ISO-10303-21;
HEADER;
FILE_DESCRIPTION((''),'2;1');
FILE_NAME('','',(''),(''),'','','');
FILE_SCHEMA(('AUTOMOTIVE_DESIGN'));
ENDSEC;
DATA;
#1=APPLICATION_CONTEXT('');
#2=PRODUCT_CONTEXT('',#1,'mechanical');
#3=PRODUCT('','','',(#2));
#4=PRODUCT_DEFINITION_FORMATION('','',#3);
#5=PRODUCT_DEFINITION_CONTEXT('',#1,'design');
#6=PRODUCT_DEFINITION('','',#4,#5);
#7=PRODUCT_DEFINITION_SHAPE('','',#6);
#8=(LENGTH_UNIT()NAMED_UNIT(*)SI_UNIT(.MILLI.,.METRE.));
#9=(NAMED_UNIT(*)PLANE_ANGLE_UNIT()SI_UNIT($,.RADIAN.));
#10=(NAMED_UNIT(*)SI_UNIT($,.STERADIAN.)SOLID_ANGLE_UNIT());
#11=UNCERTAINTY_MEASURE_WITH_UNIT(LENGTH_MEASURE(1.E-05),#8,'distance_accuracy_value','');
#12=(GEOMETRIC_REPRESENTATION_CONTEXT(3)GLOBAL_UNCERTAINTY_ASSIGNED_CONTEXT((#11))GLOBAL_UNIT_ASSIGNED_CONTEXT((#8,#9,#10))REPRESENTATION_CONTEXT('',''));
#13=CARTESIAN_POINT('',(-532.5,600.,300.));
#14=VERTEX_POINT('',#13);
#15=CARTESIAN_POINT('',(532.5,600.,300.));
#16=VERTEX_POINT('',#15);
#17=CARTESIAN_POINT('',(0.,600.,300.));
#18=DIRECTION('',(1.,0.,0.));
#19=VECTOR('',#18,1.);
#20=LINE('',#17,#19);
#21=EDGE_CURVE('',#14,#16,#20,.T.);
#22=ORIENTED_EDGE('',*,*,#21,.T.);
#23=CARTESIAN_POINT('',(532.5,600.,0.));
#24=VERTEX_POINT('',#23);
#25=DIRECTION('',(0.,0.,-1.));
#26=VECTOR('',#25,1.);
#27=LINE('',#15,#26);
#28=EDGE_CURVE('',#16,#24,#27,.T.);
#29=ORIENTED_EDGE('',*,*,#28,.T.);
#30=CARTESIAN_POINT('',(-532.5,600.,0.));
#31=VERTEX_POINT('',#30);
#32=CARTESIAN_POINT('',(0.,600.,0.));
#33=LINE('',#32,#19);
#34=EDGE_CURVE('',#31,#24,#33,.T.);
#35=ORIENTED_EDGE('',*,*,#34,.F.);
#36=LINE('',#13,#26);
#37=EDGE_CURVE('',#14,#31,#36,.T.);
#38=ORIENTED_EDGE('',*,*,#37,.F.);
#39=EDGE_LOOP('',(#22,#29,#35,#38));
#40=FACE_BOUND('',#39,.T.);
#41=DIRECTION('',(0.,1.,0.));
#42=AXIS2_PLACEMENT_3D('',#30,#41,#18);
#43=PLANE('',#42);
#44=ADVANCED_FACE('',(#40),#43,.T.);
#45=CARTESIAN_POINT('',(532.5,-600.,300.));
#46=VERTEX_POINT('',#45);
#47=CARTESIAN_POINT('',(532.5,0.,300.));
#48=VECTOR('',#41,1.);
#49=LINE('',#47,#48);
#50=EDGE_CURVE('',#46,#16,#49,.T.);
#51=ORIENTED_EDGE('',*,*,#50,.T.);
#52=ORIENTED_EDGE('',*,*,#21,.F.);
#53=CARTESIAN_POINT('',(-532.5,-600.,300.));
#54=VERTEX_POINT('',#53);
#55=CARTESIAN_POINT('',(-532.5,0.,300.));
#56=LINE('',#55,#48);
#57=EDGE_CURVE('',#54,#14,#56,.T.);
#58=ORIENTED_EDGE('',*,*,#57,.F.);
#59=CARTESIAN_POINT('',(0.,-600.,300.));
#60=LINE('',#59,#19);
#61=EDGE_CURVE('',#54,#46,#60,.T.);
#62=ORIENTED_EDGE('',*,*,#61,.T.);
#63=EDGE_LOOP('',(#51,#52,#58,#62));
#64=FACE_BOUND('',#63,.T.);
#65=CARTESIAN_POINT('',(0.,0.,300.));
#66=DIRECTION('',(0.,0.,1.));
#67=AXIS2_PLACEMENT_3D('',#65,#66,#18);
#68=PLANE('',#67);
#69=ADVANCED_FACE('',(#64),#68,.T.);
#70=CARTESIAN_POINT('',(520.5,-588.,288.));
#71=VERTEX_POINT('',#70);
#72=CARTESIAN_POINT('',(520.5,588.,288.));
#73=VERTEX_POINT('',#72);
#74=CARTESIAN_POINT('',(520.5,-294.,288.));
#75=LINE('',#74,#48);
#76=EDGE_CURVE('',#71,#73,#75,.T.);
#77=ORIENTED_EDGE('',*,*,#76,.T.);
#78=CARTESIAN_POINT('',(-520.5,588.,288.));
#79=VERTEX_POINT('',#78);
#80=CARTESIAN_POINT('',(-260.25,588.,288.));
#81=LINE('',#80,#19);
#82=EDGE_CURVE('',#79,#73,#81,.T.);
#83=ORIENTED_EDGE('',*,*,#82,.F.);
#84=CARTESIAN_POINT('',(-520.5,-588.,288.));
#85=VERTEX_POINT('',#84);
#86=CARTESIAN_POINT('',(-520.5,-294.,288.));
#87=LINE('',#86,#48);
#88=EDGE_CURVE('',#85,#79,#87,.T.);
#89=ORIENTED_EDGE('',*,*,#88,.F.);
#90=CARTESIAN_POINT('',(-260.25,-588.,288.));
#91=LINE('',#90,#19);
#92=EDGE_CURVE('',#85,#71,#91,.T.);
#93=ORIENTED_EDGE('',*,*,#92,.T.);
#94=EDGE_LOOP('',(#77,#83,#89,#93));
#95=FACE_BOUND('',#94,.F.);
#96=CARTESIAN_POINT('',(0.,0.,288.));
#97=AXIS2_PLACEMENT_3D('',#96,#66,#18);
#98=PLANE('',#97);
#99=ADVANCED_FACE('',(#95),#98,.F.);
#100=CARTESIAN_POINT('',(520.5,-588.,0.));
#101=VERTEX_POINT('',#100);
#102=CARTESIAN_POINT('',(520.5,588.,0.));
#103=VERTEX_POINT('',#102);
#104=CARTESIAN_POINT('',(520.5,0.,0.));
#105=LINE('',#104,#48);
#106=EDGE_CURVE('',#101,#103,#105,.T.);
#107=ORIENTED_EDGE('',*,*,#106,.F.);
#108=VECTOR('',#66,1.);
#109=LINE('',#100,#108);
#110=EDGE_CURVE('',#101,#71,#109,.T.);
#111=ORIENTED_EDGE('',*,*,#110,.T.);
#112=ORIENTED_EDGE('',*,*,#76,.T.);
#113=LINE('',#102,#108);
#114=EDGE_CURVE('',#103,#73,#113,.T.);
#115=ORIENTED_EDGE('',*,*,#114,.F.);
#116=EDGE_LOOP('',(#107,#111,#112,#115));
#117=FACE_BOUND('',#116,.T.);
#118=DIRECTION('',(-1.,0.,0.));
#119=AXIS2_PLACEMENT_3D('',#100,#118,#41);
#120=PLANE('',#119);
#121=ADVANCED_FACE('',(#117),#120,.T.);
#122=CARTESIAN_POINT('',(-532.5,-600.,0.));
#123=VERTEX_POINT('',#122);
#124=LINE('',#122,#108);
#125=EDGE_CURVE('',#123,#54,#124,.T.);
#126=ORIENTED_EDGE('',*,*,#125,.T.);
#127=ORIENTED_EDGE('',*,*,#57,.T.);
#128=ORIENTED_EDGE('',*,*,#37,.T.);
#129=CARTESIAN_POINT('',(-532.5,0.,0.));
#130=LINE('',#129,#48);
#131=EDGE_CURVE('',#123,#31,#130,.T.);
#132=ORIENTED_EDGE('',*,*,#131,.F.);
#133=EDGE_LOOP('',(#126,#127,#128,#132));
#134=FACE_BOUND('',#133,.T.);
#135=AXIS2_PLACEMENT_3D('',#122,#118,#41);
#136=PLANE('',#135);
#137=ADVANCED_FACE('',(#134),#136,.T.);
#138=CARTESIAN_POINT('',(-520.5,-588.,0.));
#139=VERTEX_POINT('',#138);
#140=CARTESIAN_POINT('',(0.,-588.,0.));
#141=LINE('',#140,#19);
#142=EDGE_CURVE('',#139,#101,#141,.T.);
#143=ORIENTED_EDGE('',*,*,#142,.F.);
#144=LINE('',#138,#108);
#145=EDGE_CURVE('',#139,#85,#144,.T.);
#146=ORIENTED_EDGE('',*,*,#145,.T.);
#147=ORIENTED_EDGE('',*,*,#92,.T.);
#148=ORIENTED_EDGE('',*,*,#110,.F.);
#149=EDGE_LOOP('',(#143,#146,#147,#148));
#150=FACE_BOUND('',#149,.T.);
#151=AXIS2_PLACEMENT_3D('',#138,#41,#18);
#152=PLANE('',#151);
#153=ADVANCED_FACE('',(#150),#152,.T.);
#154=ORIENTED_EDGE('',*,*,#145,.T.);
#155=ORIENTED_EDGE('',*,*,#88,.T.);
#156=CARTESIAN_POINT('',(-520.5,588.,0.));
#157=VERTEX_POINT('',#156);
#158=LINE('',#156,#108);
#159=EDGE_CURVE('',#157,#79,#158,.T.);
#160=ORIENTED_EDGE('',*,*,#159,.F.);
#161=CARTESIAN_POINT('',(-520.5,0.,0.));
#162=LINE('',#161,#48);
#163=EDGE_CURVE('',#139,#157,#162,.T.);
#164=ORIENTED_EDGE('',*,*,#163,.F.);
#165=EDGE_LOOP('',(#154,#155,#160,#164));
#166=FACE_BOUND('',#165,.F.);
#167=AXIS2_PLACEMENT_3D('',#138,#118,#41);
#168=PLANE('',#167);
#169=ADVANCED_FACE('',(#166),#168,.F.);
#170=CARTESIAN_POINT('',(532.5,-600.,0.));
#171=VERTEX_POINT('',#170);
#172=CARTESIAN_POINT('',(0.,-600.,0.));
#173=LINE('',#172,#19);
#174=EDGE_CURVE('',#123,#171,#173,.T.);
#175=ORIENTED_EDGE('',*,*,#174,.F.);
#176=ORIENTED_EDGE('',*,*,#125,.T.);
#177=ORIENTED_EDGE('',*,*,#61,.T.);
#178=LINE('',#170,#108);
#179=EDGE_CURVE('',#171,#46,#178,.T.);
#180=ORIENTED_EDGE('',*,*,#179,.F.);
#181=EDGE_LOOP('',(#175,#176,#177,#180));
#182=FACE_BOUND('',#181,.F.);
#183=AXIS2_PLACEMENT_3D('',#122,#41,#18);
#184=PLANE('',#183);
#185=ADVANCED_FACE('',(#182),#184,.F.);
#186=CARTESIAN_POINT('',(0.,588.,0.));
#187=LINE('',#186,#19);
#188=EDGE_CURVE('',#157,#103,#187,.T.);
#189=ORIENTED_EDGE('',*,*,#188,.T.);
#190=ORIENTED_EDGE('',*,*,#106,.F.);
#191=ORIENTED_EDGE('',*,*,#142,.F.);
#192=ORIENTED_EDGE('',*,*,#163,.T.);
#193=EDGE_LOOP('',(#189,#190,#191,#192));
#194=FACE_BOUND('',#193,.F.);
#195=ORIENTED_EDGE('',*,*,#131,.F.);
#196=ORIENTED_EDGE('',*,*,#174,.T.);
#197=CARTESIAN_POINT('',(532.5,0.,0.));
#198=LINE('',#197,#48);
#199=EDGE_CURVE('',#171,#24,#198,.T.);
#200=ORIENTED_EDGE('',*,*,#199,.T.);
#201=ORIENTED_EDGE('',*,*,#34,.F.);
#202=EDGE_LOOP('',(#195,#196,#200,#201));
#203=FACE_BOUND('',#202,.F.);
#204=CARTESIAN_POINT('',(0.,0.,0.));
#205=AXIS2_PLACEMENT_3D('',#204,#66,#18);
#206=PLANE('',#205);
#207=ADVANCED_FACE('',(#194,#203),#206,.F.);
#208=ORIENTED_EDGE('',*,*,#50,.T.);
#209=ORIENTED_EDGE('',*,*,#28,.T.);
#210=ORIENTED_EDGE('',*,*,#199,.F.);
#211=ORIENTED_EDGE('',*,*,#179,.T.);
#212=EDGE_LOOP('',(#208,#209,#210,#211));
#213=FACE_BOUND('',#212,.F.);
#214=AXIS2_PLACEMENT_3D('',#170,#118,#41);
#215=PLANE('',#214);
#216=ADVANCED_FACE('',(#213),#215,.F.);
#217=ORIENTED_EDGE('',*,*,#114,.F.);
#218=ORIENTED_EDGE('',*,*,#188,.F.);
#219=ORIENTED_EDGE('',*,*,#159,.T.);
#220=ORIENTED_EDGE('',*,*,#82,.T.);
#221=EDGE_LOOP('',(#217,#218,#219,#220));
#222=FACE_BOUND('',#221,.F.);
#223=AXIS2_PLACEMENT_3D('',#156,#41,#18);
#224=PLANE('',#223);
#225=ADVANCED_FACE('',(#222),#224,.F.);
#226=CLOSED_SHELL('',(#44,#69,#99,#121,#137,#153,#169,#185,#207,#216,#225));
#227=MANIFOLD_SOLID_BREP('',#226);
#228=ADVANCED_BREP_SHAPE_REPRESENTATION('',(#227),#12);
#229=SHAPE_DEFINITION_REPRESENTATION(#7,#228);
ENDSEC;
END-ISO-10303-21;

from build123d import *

# Parameters (mm, degrees)
F0_W     = 1065
F0_H     = 1200
F0_W_2   = 1041
F0_H_2   = 1176
F1_DEPTH = 300
F2_W     = 1065
F2_H     = 1200
F3_DEPTH = 12


with BuildPart() as f1:
    # F0 (on Top) → F1 (new body)
    with BuildSketch(Plane.XY):
        Rectangle(F0_W, F0_H)
        Rectangle(F0_W_2, F0_H_2, mode=Mode.SUBTRACT)
    extrude(amount=F1_DEPTH)

    # F2 (on face) → F3 (join)
    with BuildSketch(Plane.XY.offset(300)):
        Rectangle(F2_W, F2_H)
    extrude(amount=-F3_DEPTH)


solid = f1.part
